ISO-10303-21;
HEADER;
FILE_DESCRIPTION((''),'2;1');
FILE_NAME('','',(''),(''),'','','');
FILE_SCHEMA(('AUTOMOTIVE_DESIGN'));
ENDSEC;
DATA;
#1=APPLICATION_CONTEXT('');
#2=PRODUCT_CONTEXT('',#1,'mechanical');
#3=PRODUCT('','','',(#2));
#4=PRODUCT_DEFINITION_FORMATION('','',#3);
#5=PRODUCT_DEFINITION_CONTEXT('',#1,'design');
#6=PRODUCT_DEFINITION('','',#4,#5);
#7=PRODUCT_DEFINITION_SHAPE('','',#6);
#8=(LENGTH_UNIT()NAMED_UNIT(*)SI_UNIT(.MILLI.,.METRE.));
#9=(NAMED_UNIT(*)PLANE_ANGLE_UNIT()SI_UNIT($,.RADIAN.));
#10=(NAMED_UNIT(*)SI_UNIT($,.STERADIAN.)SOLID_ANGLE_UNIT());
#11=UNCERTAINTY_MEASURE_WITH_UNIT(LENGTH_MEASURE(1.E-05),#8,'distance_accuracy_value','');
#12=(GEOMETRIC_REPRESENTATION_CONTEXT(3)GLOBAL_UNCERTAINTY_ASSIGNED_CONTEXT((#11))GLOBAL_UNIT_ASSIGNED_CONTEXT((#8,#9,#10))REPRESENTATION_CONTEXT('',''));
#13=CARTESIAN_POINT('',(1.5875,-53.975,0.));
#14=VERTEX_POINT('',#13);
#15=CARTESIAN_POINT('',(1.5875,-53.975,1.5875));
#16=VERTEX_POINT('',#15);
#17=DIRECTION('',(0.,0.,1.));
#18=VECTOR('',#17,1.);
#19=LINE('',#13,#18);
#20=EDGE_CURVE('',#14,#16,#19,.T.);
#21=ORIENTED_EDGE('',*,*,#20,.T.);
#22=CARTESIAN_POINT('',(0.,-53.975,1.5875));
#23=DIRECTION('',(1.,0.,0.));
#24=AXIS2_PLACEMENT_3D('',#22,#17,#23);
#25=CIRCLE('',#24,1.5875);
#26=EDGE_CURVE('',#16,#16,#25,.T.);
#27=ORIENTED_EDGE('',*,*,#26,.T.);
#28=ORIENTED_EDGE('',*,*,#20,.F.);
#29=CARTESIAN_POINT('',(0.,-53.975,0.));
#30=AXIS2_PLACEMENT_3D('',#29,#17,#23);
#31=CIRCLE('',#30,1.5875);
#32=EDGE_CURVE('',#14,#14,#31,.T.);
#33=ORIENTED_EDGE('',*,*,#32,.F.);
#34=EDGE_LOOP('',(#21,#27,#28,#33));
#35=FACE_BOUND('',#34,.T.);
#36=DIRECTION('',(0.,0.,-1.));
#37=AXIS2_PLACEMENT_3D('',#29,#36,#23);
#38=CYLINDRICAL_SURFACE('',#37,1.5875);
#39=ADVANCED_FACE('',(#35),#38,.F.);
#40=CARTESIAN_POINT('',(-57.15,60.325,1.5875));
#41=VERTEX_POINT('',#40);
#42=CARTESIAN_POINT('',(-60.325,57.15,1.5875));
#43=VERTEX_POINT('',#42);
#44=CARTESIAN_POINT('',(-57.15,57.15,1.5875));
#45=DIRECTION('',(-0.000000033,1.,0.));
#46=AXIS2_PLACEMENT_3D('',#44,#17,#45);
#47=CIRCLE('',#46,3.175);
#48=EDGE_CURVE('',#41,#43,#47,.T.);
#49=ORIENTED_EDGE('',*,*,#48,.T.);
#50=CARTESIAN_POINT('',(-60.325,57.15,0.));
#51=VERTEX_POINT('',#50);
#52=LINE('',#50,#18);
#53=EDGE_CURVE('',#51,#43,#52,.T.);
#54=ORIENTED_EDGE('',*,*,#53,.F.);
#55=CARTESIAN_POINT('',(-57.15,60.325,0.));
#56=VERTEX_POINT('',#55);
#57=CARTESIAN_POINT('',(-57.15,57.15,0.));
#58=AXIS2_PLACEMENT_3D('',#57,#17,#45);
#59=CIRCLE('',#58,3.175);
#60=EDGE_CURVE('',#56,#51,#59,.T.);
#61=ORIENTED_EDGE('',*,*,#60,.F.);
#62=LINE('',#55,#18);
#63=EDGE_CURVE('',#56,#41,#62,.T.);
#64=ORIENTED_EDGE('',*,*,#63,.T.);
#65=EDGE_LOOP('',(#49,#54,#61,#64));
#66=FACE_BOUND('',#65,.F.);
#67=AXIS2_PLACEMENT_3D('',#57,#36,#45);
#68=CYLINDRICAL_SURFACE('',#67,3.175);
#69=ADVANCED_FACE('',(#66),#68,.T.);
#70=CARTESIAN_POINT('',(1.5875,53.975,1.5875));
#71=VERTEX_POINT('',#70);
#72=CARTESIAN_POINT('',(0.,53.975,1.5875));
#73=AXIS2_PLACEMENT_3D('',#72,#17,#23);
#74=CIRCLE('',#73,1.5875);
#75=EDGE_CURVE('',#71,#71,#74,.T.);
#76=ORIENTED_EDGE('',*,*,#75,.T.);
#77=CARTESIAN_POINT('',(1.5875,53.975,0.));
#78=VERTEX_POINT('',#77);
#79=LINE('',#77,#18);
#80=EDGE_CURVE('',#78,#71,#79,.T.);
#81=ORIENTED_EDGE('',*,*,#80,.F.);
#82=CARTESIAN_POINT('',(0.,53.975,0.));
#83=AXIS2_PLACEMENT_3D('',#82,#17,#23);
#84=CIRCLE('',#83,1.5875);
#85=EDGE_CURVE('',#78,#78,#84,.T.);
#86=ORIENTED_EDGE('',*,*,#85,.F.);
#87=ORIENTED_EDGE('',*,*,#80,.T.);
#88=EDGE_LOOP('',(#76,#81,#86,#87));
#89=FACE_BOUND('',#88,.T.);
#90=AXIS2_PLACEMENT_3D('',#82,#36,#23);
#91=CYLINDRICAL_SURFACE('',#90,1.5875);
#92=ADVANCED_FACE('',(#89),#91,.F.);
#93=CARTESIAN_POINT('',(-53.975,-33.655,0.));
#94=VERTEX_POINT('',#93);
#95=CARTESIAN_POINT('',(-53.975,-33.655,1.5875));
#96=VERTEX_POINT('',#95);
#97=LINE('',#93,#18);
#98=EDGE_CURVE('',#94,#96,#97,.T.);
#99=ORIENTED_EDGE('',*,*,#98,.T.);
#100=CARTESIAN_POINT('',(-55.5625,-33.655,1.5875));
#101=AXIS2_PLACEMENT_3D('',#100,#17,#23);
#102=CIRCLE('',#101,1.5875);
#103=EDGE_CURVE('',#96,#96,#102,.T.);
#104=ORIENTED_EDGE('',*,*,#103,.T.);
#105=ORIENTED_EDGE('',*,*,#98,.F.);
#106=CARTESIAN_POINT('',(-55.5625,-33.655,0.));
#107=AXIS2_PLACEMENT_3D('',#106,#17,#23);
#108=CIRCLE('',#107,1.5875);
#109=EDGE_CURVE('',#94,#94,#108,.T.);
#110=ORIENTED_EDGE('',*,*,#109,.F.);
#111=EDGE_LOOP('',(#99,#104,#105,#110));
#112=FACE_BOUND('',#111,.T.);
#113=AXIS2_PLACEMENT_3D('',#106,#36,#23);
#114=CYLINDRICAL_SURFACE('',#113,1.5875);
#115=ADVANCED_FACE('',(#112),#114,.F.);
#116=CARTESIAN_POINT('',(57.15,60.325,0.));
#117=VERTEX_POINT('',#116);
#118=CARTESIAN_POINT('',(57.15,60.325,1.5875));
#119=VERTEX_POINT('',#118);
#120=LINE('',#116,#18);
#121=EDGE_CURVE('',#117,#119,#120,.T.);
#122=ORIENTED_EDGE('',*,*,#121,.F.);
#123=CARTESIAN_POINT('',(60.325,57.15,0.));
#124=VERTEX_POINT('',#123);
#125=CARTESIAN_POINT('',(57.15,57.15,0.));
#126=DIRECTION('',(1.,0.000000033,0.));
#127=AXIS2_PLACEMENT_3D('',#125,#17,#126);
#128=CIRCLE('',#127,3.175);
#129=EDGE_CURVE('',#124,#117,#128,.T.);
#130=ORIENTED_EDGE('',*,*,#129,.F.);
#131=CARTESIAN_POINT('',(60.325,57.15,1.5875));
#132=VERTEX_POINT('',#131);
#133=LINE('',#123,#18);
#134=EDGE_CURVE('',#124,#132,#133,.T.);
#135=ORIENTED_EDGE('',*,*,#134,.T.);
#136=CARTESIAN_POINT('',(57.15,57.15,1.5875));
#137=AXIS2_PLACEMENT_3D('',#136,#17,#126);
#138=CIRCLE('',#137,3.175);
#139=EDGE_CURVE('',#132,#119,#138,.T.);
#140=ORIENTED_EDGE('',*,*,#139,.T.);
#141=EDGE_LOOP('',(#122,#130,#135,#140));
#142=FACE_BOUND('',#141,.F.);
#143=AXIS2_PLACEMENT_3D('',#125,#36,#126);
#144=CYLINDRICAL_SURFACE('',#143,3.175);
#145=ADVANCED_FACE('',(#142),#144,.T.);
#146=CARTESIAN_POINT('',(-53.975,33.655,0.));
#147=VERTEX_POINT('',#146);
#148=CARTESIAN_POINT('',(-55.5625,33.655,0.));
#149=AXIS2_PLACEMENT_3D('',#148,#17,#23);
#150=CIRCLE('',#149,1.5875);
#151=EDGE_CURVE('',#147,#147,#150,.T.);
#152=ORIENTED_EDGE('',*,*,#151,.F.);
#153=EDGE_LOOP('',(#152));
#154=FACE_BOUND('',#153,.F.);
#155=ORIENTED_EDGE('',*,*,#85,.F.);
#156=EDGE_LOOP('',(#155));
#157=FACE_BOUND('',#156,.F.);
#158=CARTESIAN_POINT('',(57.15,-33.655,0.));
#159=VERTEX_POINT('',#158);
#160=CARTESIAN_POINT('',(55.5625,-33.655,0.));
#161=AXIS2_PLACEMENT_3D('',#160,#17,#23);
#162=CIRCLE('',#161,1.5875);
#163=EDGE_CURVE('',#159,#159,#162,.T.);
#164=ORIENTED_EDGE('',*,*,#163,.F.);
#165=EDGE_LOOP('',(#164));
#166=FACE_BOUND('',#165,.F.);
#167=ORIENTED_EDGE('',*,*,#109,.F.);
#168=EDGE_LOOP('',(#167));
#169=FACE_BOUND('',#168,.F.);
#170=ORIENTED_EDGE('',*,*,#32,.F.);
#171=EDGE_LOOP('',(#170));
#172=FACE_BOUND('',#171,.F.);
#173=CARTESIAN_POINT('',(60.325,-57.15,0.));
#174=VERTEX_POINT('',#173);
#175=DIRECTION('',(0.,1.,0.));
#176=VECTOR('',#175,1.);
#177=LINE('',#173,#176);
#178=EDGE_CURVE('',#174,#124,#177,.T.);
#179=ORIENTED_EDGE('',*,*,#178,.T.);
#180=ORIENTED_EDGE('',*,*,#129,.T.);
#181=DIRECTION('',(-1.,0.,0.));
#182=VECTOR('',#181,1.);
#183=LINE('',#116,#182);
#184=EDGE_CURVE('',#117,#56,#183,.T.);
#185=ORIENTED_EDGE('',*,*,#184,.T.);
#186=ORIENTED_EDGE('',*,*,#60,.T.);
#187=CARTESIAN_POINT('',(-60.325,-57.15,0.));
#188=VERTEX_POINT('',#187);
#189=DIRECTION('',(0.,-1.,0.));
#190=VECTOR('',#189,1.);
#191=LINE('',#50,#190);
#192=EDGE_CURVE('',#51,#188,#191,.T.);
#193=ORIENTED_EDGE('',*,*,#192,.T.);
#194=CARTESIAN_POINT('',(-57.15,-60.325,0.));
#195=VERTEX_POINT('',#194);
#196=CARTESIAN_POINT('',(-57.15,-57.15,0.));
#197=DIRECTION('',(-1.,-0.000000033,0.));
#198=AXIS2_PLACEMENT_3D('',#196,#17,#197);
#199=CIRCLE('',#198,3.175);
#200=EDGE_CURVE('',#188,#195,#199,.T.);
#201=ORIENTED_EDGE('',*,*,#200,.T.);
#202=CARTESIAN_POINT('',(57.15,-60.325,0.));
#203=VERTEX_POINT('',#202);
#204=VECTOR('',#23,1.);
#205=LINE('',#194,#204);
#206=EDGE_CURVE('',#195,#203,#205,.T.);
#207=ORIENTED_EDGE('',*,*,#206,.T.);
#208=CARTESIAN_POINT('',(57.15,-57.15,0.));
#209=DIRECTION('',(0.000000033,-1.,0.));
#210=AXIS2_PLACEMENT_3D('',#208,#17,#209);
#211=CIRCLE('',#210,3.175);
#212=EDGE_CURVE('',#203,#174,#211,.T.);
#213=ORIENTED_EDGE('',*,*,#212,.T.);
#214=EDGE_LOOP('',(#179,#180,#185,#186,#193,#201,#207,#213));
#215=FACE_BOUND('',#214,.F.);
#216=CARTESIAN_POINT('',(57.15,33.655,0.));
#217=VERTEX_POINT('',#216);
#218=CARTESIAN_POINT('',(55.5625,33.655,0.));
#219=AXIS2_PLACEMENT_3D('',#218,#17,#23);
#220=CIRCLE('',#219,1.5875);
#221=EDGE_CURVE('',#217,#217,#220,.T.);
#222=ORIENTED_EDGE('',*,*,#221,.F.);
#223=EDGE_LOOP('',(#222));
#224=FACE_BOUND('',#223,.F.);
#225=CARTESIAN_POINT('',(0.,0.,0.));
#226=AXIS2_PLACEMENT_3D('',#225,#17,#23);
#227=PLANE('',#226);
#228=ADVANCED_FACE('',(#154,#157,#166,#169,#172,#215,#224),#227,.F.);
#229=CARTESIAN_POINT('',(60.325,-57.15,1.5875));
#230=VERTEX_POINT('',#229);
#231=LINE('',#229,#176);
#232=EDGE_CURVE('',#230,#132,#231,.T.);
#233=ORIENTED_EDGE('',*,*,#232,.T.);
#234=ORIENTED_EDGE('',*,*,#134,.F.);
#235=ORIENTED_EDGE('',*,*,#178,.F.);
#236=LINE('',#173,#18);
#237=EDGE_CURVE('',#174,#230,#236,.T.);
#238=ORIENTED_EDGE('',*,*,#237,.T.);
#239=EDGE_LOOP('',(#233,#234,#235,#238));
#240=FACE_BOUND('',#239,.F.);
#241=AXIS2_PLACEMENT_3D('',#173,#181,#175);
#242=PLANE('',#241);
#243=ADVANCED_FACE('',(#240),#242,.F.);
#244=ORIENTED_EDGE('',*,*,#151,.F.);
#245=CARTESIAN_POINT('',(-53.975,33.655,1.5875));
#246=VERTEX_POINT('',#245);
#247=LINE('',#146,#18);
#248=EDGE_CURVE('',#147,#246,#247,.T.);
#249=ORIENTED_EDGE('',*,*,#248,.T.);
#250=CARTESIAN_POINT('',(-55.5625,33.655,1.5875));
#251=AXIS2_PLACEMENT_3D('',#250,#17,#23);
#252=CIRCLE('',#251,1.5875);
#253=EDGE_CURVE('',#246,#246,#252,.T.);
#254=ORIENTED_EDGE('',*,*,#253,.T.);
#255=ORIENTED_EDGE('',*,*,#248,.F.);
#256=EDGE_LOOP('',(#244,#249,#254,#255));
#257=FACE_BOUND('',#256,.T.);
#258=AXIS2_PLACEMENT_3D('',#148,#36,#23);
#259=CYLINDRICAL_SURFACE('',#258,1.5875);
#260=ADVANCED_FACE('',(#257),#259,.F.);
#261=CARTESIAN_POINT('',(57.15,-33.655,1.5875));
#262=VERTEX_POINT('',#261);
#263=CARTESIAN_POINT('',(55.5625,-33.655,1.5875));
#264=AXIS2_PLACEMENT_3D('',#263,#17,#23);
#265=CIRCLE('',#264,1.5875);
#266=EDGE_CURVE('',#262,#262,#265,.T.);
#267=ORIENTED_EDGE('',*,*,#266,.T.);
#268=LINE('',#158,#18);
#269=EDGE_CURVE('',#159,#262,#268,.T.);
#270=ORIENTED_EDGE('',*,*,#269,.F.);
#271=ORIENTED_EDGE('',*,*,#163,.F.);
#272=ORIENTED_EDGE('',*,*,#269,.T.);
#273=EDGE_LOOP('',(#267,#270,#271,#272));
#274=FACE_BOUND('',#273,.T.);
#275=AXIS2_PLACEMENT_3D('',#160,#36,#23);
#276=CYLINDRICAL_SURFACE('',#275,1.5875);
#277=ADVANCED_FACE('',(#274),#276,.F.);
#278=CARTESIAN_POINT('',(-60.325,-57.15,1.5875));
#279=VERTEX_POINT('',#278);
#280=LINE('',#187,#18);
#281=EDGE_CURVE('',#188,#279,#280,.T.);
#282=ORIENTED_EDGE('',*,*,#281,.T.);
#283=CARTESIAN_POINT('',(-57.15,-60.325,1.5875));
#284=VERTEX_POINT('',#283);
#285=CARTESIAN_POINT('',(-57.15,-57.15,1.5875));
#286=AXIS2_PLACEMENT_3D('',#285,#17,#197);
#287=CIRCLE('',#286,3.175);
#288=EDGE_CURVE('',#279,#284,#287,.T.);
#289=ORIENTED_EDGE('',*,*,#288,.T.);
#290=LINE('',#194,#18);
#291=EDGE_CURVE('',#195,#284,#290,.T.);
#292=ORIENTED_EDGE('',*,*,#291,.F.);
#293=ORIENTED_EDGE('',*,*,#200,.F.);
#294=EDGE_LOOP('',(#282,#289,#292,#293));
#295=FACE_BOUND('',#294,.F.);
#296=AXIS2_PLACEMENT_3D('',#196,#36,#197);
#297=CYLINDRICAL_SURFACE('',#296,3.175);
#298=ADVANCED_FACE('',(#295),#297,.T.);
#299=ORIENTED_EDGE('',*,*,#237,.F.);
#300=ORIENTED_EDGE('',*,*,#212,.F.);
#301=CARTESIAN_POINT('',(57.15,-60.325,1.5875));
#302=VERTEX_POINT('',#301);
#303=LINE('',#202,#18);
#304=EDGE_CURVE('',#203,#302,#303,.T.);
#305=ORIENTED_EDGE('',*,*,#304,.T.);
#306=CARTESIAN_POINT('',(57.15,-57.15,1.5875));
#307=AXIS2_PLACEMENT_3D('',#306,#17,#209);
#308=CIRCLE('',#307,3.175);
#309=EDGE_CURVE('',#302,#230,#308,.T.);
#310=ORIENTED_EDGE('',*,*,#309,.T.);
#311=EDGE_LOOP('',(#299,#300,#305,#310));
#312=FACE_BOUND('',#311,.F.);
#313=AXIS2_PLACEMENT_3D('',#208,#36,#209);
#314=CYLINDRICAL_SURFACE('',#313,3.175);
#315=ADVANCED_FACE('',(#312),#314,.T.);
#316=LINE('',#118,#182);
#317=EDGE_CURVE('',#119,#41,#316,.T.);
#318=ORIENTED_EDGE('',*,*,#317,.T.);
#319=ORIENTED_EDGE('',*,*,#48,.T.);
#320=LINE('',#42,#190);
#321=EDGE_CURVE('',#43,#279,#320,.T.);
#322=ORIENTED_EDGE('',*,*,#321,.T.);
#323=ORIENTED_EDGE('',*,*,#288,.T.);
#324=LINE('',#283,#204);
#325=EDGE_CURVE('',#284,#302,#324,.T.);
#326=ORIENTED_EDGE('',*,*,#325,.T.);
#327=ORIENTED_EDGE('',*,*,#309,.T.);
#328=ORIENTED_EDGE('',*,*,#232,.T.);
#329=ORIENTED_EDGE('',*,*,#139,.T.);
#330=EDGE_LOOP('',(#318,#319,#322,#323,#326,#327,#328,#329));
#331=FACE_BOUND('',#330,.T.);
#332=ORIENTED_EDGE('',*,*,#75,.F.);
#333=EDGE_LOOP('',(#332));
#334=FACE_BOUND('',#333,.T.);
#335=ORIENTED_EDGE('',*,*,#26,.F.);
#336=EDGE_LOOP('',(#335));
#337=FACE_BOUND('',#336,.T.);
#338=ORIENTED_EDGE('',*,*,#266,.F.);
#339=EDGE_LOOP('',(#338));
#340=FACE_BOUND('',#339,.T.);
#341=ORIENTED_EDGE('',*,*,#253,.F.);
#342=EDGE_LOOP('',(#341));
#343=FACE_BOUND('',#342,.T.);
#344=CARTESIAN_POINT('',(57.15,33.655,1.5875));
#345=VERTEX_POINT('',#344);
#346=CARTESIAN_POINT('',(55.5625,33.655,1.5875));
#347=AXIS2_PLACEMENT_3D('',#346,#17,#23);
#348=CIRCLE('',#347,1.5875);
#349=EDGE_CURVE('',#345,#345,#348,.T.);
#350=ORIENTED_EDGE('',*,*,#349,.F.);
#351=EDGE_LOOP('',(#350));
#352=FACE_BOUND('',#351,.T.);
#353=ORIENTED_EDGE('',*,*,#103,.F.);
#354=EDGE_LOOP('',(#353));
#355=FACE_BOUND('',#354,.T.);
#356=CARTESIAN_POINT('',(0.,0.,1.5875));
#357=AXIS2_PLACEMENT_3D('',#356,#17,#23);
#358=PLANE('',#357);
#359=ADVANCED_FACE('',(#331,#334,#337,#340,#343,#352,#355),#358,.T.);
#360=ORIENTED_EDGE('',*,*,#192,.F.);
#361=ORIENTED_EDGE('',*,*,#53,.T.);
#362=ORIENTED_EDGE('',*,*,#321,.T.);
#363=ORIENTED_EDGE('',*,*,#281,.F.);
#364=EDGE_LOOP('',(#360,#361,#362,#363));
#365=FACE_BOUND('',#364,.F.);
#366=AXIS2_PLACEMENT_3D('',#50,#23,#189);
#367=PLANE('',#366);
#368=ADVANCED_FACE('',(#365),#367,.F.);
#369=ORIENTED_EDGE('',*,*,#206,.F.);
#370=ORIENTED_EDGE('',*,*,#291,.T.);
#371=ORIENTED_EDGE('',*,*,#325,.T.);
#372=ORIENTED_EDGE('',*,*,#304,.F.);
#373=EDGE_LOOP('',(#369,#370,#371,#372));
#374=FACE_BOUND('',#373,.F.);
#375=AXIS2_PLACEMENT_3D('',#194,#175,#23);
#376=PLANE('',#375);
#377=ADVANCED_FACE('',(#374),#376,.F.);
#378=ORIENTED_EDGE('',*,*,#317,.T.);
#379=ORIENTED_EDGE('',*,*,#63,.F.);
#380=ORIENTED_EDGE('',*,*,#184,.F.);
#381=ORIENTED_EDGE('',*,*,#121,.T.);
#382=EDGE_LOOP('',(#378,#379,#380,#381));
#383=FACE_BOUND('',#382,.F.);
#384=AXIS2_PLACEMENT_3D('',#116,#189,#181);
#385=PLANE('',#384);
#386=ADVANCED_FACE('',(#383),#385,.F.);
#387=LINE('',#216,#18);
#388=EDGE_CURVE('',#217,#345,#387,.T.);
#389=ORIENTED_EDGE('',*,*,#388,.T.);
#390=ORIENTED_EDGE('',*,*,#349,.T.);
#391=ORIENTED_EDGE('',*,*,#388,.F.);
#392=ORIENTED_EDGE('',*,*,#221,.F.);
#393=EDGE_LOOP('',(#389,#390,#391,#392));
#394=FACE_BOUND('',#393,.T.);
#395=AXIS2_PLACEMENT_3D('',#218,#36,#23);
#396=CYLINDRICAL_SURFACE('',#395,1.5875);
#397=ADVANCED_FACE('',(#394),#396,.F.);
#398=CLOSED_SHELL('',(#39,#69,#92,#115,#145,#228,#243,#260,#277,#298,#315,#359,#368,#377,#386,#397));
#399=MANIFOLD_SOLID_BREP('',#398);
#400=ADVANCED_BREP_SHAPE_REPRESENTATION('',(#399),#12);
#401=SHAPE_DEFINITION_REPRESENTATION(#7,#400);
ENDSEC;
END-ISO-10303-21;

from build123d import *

# Parameters (mm, degrees)
F0_R     = 1.5875
F1_DEPTH = 1.5875


with BuildPart() as f1:
    # F0 (on Top) → F1 (new body)
    with BuildSketch(Plane.XY):
        with BuildLine():
            Line((57.15, 60.325), (-57.15, 60.325))
            ThreePointArc((-57.15, 60.325), (-59.395064, 59.395064), (-60.325, 57.15))
            Line((-60.325, 57.15), (-60.325, -57.15))
            ThreePointArc((-60.325, -57.15), (-59.395064, -59.395064), (-57.15, -60.325))
            Line((-57.15, -60.325), (57.15, -60.325))
            ThreePointArc((57.15, -60.325), (59.395064, -59.395064), (60.325, -57.15))
            Line((60.325, -57.15), (60.325, 57.15))
            ThreePointArc((60.325, 57.15), (59.395064, 59.395064), (57.15, 60.325))
        make_face()
        with Locations((-55.5625, -33.655)):
            Circle(F0_R, mode=Mode.SUBTRACT)
        with Locations((0, -53.975)):
            Circle(F0_R, mode=Mode.SUBTRACT)
        with Locations((55.5625, -33.655)):
            Circle(F0_R, mode=Mode.SUBTRACT)
        with Locations((-55.5625, 33.655)):
            Circle(F0_R, mode=Mode.SUBTRACT)
        with Locations((0, 53.975)):
            Circle(F0_R, mode=Mode.SUBTRACT)
        with Locations((55.5625, 33.655)):
            Circle(F0_R, mode=Mode.SUBTRACT)
    extrude(amount=F1_DEPTH)


solid = f1.part
